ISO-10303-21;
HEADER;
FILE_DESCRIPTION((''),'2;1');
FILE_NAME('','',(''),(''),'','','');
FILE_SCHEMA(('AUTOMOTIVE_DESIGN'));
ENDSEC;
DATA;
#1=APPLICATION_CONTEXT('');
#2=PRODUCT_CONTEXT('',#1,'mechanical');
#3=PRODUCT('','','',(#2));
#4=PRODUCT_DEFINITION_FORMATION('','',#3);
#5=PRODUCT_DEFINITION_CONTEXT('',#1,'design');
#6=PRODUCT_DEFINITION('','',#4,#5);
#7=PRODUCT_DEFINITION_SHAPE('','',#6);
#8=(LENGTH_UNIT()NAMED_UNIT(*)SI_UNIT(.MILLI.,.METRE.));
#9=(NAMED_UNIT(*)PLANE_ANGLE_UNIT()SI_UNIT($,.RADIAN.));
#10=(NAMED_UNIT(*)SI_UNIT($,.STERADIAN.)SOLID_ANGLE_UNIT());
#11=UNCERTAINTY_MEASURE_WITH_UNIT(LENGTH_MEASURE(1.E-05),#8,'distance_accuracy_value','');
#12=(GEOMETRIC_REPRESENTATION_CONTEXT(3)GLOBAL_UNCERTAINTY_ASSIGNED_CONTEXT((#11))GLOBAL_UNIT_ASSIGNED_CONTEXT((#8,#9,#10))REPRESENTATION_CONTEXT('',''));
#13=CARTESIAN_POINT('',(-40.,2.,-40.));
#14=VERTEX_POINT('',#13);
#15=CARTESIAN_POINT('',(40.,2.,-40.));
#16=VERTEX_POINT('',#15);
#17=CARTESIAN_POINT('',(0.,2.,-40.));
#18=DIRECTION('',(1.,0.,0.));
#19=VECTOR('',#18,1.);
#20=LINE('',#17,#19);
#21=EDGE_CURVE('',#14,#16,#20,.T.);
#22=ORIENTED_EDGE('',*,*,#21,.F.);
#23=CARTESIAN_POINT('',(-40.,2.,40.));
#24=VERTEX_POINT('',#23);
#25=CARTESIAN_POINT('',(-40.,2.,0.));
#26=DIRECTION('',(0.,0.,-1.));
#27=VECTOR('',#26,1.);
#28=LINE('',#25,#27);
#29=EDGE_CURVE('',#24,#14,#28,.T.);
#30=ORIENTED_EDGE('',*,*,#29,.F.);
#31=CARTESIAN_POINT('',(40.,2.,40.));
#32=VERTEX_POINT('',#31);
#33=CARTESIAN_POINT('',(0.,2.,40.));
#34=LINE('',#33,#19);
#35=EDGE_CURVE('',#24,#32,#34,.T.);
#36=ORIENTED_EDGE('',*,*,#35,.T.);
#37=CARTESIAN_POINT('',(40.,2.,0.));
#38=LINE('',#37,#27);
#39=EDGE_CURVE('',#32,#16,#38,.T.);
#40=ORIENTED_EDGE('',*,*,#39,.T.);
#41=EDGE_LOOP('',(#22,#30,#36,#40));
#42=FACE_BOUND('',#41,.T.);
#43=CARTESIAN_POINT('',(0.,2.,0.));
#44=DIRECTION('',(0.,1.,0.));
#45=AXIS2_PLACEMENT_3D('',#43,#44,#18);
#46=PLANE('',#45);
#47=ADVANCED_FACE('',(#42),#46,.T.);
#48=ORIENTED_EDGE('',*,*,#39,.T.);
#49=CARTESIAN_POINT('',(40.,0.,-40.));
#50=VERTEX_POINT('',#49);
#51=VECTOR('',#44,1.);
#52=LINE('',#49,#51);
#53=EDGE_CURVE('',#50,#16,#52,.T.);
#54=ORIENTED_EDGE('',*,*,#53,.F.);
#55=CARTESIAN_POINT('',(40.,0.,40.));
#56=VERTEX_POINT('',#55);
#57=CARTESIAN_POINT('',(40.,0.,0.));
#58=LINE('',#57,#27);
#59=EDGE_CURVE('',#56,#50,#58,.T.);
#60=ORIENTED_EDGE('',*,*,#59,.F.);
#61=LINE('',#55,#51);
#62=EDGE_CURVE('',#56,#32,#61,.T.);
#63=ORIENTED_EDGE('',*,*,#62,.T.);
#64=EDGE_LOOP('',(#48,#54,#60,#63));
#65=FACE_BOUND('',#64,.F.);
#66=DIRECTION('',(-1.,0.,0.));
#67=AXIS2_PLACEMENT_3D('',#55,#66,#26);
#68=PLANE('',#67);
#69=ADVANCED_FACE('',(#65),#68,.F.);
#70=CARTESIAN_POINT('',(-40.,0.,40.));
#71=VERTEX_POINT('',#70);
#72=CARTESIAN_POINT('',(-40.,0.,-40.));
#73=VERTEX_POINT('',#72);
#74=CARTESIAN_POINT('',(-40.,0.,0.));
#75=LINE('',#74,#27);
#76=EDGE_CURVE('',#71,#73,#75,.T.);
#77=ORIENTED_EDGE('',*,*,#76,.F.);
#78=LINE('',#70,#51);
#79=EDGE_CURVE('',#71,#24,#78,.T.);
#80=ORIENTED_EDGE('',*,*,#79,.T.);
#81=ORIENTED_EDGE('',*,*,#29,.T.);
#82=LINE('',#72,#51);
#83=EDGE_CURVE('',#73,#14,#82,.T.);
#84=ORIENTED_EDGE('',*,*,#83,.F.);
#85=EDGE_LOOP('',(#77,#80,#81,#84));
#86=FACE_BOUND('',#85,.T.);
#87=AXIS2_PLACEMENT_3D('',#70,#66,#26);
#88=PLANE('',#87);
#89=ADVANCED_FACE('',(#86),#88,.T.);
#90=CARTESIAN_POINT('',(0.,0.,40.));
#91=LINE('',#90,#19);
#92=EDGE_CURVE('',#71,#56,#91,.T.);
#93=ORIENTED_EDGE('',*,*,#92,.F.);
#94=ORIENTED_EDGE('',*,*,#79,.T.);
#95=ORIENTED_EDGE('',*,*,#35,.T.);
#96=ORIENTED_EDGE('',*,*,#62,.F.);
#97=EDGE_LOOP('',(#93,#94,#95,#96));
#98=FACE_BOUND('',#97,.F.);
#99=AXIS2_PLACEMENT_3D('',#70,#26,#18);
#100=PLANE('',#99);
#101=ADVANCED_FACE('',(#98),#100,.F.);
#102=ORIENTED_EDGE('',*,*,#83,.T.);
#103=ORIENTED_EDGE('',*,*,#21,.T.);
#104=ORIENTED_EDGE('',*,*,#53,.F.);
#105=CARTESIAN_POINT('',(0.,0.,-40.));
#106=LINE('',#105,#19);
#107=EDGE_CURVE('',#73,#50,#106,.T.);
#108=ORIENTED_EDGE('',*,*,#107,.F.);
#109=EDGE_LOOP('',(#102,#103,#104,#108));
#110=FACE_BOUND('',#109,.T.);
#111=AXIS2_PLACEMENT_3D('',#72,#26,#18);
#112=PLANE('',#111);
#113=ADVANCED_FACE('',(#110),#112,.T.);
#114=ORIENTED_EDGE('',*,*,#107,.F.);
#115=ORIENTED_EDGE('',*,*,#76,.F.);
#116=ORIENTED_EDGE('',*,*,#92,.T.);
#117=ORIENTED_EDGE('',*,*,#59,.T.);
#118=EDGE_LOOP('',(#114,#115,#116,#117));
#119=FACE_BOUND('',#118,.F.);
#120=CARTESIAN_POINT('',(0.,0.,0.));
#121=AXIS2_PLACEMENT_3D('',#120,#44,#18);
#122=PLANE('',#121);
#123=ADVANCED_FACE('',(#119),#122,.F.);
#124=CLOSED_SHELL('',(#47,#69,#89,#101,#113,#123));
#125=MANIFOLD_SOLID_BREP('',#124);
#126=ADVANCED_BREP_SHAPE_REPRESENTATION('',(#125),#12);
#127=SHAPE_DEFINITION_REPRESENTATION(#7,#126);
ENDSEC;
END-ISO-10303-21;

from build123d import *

# Parameters (mm, degrees)
SKETCH_1_W      = 80
SKETCH_1_H      = 80
EXTRUDE_1_DEPTH = 2


with BuildPart() as part:
    # 草图1 → 凸台-拉伸1 (new body)
    with BuildSketch(Plane(origin=(0, 0, 0), x_dir=(1, 0, 0), z_dir=(0, 1, 0))):
        Rectangle(SKETCH_1_W, SKETCH_1_H)
    extrude(amount=EXTRUDE_1_DEPTH)


solid = part.part
